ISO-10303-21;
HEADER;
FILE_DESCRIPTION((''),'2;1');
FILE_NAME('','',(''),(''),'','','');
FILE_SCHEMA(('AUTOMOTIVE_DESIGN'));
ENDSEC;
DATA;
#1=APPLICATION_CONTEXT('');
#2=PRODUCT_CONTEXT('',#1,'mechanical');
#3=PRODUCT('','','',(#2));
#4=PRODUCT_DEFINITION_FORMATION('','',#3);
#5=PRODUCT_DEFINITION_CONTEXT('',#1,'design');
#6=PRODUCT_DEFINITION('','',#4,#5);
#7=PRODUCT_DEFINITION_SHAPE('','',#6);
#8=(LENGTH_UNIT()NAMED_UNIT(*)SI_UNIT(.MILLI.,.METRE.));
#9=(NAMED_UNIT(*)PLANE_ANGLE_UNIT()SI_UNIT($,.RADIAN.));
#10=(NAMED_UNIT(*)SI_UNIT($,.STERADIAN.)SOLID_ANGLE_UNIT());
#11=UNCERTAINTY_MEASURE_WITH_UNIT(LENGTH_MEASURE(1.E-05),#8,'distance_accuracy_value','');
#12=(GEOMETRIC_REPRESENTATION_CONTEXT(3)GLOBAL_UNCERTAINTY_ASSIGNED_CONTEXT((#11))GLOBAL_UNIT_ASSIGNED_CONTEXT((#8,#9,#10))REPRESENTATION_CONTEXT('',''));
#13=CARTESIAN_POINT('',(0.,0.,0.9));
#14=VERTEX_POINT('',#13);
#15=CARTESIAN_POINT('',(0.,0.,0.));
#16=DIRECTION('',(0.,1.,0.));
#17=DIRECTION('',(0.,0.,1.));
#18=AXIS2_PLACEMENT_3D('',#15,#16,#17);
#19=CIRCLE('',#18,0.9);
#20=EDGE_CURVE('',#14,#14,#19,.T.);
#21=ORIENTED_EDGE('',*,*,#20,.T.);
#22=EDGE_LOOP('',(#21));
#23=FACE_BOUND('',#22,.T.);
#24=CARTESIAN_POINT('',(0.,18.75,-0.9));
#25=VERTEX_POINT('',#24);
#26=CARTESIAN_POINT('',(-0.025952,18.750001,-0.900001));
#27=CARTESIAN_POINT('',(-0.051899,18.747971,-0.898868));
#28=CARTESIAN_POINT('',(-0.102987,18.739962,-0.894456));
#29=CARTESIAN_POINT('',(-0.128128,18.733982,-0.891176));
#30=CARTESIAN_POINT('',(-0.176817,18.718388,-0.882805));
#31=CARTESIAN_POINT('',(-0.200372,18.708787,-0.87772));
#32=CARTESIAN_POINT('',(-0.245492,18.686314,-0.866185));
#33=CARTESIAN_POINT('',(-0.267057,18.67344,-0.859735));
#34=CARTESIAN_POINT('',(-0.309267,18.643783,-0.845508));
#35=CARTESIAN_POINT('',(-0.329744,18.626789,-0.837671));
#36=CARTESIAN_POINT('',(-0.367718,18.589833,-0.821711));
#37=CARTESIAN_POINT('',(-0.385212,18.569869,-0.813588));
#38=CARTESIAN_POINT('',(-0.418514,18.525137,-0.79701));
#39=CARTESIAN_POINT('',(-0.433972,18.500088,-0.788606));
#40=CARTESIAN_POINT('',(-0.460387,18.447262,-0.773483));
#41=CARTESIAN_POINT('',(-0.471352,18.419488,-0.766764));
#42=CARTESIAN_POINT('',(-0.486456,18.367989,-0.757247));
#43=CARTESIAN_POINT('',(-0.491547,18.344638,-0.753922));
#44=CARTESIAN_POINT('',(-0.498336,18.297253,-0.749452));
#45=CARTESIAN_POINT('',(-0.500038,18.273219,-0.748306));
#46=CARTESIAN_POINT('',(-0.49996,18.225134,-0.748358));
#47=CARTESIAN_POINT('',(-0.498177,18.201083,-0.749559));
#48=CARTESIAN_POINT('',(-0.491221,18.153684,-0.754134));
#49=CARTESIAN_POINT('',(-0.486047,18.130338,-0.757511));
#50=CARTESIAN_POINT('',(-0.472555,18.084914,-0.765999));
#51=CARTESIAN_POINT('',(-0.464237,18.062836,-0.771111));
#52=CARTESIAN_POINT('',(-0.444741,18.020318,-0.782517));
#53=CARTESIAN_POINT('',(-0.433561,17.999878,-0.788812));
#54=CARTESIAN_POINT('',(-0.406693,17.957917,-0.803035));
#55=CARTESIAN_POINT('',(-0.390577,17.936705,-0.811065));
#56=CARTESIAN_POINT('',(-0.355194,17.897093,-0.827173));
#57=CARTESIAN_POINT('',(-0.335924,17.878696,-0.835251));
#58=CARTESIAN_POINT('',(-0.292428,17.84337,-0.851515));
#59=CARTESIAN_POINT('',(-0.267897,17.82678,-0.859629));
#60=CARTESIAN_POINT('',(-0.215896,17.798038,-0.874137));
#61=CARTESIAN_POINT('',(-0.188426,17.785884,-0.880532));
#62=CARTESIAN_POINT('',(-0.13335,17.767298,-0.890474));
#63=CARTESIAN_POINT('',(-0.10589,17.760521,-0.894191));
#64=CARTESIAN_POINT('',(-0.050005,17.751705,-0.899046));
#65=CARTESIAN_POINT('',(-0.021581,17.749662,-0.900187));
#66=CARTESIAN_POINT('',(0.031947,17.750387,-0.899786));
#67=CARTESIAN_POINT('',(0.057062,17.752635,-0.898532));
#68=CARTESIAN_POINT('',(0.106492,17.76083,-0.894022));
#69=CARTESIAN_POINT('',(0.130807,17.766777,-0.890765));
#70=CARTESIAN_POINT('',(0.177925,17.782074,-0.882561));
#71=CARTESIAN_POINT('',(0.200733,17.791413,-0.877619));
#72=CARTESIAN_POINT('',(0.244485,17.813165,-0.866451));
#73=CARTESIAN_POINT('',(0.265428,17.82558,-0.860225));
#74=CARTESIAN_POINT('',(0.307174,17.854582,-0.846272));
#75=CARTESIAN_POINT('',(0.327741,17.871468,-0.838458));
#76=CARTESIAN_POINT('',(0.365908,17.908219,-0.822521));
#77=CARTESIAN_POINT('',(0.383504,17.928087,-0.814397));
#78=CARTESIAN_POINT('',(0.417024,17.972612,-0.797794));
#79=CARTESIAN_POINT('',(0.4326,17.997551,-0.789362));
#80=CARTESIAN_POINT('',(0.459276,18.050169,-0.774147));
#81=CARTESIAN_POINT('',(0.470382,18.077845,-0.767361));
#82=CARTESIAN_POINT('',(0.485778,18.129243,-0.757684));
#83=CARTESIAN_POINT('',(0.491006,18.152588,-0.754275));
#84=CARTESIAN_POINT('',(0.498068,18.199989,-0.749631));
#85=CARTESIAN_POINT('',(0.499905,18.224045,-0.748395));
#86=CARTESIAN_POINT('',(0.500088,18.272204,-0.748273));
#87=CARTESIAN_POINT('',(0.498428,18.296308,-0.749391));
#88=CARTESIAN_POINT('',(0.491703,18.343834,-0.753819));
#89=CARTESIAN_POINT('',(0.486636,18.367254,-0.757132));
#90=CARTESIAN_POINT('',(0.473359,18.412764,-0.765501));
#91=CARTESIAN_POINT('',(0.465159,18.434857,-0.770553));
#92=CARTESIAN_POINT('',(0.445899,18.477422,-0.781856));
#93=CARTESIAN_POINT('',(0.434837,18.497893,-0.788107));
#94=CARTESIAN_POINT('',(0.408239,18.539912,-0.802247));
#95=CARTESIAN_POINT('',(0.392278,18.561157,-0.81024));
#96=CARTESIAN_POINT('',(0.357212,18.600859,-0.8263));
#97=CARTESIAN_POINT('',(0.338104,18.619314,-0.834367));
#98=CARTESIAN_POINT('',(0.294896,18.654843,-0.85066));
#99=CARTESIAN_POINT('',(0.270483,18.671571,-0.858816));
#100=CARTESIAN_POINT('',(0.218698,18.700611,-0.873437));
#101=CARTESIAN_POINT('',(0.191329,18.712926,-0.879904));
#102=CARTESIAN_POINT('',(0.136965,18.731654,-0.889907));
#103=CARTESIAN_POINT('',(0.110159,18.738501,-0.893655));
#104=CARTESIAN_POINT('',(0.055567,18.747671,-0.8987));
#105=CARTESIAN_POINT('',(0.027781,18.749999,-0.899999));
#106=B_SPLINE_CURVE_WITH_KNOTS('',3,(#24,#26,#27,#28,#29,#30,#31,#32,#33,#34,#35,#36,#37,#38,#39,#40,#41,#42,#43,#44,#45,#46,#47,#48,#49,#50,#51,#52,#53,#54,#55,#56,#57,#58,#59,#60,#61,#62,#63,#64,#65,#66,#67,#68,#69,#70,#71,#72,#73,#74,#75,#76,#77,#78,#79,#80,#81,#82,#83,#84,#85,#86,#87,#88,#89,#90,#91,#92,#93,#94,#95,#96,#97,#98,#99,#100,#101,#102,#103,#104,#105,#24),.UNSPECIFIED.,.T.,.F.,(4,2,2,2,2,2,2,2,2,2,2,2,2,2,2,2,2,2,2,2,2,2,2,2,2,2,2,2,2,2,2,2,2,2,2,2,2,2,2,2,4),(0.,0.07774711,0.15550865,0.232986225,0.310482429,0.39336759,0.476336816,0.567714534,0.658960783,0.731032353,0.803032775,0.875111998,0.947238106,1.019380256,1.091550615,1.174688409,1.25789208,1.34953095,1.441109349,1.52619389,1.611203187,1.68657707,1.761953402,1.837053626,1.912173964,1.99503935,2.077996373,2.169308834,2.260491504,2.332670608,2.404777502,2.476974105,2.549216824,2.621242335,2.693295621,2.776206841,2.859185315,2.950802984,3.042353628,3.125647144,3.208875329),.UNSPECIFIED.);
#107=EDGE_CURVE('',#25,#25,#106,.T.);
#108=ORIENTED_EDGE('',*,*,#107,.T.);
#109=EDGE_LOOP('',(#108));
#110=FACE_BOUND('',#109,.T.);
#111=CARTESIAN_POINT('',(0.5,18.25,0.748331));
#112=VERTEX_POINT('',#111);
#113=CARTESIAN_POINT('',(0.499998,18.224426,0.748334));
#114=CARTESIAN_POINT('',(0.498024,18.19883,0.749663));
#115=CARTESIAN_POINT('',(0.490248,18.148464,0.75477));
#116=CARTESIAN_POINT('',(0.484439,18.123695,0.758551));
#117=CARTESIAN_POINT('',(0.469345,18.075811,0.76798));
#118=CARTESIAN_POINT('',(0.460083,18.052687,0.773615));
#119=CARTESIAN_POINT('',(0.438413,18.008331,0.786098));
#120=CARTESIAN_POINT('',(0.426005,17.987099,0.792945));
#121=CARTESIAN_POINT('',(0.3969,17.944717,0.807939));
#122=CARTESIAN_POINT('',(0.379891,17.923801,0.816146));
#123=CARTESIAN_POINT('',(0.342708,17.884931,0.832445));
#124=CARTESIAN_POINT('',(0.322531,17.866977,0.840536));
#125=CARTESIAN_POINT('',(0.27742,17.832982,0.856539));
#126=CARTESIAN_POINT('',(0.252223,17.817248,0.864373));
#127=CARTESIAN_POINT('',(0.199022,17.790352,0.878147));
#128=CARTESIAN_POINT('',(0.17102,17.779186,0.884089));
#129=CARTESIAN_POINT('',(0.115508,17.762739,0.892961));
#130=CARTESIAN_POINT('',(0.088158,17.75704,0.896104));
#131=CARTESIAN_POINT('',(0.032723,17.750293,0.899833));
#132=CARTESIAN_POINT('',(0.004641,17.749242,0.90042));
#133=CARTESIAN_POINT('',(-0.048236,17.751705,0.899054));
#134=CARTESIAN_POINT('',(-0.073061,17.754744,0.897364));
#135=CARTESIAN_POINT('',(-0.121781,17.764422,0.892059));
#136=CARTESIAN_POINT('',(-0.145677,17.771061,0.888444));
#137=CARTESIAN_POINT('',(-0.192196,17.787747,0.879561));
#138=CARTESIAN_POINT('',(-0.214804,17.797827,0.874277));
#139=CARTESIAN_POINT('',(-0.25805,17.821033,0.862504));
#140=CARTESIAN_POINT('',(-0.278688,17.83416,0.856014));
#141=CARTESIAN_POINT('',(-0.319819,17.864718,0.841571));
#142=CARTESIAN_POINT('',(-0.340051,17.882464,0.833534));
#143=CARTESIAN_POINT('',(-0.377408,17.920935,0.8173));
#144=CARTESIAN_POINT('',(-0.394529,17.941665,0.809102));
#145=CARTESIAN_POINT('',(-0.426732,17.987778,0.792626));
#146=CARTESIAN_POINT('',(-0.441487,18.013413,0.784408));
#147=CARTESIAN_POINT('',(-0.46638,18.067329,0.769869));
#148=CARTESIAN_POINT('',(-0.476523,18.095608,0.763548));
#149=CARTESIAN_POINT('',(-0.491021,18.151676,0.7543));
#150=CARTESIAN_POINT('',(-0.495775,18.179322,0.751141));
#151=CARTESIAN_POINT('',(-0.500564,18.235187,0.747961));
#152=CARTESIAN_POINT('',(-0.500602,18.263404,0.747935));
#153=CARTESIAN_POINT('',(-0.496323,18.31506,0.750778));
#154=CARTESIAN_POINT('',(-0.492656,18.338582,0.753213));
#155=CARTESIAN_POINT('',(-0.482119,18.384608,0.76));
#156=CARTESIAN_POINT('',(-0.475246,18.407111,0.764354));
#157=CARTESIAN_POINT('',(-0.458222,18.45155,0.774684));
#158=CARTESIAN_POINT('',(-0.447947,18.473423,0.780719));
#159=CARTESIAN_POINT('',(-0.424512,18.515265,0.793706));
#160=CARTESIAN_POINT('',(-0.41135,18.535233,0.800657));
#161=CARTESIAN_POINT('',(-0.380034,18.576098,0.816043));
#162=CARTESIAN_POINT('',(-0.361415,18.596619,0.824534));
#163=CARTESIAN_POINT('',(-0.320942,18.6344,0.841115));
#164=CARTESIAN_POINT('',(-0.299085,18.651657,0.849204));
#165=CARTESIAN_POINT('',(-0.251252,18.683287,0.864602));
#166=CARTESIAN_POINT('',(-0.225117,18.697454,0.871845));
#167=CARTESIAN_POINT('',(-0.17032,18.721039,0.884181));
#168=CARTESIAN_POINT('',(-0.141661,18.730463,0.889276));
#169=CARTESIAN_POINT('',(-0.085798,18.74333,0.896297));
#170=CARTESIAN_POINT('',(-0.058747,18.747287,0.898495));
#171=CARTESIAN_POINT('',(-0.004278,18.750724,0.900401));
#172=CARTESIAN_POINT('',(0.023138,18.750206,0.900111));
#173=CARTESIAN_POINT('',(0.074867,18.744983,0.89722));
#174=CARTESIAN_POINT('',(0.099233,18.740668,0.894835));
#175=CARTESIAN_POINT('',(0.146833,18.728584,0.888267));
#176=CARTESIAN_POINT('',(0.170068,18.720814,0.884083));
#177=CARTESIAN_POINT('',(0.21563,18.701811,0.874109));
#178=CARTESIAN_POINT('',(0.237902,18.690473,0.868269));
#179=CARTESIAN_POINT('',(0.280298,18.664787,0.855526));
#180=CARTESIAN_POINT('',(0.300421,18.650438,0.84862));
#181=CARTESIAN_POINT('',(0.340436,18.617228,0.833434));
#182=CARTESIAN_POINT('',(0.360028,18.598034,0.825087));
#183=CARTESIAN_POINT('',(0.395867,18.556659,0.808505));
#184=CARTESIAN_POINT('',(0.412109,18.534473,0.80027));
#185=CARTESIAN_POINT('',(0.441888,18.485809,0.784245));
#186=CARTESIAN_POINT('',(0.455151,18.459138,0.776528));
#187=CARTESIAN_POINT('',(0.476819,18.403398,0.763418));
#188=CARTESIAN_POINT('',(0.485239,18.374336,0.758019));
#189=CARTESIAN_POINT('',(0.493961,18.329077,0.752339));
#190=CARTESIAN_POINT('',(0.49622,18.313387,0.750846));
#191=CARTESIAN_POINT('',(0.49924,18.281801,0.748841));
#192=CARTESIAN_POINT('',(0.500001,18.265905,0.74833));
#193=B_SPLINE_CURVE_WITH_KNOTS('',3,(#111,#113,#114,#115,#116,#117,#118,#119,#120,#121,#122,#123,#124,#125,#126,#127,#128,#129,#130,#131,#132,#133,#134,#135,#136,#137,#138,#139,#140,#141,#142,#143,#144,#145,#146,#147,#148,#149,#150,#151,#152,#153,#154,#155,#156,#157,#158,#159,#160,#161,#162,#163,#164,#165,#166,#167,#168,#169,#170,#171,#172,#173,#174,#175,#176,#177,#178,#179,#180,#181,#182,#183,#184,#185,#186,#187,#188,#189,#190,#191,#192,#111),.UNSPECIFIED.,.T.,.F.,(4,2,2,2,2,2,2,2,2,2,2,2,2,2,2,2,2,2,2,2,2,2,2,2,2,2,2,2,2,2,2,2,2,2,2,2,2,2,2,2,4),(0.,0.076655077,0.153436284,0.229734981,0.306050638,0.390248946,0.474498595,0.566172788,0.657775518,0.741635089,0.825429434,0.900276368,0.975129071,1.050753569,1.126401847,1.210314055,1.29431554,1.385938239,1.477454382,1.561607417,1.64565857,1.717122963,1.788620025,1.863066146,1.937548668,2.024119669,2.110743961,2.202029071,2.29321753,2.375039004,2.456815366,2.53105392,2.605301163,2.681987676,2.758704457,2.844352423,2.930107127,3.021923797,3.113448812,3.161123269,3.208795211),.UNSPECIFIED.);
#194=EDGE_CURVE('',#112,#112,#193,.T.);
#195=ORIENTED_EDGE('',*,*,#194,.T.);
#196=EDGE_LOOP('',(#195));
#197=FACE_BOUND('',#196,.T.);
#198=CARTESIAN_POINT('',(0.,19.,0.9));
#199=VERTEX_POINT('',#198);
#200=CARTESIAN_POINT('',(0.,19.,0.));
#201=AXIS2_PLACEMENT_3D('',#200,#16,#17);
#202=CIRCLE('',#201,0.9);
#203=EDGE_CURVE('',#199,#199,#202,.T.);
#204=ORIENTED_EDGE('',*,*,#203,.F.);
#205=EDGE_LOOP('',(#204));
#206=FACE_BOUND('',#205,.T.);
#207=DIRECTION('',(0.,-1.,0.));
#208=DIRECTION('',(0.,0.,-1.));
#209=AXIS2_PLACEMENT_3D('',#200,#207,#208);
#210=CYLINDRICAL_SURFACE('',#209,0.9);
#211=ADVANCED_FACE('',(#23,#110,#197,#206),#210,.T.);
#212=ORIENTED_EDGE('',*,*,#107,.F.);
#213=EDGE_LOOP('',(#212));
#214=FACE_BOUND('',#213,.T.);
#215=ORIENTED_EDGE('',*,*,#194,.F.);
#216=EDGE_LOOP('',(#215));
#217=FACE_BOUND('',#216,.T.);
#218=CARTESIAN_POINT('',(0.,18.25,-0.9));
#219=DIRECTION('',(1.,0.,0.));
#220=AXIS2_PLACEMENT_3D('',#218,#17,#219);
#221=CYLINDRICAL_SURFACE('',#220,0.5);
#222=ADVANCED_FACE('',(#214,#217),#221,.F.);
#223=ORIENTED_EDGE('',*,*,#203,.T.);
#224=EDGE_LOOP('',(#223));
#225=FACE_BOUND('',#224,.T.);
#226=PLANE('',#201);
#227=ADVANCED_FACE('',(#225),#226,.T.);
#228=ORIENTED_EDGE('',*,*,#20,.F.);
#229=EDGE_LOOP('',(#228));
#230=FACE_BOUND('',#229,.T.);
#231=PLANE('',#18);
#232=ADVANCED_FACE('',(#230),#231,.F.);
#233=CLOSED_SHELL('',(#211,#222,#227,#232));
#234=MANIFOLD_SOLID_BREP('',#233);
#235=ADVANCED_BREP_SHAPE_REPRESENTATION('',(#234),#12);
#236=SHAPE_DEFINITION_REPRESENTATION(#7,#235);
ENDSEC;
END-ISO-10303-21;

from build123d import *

# Parameters (mm, degrees)
SZKIC1_R                        = 0.9
DODANIE_WYCI_GNI_CIE1_DEPTH     = 19
WYTNIJ_WYCI_GNI_CIE1_DEPTH      = 20.042583858
WYTNIJ_WYCI_GNI_CIE1_DEPTH_BACK = 20.042583858
SZKIC2_R                        = 0.5


with BuildPart() as part:
    # Szkic1 → Dodanie-wyciągnięcie1 (new body)
    with BuildSketch(Plane(origin=(0, 0, 0), x_dir=(1, 0, 0), z_dir=(0, 1, 0))):
        with Locations(Location((0, 0, 0), (0, 0, 270))):
            Circle(SZKIC1_R)
    extrude(amount=DODANIE_WYCI_GNI_CIE1_DEPTH)

    # Szkic2 → Wytnij-wyciągnięcie1 (cut, two sides: drawn at the far end of the back side and taken through both)
    with BuildSketch(Plane.XY.offset(-WYTNIJ_WYCI_GNI_CIE1_DEPTH_BACK)):
        with Locations(Location((0, 18.25, 0), (0, 0, 89.999999997))):
            Circle(SZKIC2_R)
    extrude(amount=WYTNIJ_WYCI_GNI_CIE1_DEPTH + WYTNIJ_WYCI_GNI_CIE1_DEPTH_BACK, mode=Mode.SUBTRACT)


solid = part.part
